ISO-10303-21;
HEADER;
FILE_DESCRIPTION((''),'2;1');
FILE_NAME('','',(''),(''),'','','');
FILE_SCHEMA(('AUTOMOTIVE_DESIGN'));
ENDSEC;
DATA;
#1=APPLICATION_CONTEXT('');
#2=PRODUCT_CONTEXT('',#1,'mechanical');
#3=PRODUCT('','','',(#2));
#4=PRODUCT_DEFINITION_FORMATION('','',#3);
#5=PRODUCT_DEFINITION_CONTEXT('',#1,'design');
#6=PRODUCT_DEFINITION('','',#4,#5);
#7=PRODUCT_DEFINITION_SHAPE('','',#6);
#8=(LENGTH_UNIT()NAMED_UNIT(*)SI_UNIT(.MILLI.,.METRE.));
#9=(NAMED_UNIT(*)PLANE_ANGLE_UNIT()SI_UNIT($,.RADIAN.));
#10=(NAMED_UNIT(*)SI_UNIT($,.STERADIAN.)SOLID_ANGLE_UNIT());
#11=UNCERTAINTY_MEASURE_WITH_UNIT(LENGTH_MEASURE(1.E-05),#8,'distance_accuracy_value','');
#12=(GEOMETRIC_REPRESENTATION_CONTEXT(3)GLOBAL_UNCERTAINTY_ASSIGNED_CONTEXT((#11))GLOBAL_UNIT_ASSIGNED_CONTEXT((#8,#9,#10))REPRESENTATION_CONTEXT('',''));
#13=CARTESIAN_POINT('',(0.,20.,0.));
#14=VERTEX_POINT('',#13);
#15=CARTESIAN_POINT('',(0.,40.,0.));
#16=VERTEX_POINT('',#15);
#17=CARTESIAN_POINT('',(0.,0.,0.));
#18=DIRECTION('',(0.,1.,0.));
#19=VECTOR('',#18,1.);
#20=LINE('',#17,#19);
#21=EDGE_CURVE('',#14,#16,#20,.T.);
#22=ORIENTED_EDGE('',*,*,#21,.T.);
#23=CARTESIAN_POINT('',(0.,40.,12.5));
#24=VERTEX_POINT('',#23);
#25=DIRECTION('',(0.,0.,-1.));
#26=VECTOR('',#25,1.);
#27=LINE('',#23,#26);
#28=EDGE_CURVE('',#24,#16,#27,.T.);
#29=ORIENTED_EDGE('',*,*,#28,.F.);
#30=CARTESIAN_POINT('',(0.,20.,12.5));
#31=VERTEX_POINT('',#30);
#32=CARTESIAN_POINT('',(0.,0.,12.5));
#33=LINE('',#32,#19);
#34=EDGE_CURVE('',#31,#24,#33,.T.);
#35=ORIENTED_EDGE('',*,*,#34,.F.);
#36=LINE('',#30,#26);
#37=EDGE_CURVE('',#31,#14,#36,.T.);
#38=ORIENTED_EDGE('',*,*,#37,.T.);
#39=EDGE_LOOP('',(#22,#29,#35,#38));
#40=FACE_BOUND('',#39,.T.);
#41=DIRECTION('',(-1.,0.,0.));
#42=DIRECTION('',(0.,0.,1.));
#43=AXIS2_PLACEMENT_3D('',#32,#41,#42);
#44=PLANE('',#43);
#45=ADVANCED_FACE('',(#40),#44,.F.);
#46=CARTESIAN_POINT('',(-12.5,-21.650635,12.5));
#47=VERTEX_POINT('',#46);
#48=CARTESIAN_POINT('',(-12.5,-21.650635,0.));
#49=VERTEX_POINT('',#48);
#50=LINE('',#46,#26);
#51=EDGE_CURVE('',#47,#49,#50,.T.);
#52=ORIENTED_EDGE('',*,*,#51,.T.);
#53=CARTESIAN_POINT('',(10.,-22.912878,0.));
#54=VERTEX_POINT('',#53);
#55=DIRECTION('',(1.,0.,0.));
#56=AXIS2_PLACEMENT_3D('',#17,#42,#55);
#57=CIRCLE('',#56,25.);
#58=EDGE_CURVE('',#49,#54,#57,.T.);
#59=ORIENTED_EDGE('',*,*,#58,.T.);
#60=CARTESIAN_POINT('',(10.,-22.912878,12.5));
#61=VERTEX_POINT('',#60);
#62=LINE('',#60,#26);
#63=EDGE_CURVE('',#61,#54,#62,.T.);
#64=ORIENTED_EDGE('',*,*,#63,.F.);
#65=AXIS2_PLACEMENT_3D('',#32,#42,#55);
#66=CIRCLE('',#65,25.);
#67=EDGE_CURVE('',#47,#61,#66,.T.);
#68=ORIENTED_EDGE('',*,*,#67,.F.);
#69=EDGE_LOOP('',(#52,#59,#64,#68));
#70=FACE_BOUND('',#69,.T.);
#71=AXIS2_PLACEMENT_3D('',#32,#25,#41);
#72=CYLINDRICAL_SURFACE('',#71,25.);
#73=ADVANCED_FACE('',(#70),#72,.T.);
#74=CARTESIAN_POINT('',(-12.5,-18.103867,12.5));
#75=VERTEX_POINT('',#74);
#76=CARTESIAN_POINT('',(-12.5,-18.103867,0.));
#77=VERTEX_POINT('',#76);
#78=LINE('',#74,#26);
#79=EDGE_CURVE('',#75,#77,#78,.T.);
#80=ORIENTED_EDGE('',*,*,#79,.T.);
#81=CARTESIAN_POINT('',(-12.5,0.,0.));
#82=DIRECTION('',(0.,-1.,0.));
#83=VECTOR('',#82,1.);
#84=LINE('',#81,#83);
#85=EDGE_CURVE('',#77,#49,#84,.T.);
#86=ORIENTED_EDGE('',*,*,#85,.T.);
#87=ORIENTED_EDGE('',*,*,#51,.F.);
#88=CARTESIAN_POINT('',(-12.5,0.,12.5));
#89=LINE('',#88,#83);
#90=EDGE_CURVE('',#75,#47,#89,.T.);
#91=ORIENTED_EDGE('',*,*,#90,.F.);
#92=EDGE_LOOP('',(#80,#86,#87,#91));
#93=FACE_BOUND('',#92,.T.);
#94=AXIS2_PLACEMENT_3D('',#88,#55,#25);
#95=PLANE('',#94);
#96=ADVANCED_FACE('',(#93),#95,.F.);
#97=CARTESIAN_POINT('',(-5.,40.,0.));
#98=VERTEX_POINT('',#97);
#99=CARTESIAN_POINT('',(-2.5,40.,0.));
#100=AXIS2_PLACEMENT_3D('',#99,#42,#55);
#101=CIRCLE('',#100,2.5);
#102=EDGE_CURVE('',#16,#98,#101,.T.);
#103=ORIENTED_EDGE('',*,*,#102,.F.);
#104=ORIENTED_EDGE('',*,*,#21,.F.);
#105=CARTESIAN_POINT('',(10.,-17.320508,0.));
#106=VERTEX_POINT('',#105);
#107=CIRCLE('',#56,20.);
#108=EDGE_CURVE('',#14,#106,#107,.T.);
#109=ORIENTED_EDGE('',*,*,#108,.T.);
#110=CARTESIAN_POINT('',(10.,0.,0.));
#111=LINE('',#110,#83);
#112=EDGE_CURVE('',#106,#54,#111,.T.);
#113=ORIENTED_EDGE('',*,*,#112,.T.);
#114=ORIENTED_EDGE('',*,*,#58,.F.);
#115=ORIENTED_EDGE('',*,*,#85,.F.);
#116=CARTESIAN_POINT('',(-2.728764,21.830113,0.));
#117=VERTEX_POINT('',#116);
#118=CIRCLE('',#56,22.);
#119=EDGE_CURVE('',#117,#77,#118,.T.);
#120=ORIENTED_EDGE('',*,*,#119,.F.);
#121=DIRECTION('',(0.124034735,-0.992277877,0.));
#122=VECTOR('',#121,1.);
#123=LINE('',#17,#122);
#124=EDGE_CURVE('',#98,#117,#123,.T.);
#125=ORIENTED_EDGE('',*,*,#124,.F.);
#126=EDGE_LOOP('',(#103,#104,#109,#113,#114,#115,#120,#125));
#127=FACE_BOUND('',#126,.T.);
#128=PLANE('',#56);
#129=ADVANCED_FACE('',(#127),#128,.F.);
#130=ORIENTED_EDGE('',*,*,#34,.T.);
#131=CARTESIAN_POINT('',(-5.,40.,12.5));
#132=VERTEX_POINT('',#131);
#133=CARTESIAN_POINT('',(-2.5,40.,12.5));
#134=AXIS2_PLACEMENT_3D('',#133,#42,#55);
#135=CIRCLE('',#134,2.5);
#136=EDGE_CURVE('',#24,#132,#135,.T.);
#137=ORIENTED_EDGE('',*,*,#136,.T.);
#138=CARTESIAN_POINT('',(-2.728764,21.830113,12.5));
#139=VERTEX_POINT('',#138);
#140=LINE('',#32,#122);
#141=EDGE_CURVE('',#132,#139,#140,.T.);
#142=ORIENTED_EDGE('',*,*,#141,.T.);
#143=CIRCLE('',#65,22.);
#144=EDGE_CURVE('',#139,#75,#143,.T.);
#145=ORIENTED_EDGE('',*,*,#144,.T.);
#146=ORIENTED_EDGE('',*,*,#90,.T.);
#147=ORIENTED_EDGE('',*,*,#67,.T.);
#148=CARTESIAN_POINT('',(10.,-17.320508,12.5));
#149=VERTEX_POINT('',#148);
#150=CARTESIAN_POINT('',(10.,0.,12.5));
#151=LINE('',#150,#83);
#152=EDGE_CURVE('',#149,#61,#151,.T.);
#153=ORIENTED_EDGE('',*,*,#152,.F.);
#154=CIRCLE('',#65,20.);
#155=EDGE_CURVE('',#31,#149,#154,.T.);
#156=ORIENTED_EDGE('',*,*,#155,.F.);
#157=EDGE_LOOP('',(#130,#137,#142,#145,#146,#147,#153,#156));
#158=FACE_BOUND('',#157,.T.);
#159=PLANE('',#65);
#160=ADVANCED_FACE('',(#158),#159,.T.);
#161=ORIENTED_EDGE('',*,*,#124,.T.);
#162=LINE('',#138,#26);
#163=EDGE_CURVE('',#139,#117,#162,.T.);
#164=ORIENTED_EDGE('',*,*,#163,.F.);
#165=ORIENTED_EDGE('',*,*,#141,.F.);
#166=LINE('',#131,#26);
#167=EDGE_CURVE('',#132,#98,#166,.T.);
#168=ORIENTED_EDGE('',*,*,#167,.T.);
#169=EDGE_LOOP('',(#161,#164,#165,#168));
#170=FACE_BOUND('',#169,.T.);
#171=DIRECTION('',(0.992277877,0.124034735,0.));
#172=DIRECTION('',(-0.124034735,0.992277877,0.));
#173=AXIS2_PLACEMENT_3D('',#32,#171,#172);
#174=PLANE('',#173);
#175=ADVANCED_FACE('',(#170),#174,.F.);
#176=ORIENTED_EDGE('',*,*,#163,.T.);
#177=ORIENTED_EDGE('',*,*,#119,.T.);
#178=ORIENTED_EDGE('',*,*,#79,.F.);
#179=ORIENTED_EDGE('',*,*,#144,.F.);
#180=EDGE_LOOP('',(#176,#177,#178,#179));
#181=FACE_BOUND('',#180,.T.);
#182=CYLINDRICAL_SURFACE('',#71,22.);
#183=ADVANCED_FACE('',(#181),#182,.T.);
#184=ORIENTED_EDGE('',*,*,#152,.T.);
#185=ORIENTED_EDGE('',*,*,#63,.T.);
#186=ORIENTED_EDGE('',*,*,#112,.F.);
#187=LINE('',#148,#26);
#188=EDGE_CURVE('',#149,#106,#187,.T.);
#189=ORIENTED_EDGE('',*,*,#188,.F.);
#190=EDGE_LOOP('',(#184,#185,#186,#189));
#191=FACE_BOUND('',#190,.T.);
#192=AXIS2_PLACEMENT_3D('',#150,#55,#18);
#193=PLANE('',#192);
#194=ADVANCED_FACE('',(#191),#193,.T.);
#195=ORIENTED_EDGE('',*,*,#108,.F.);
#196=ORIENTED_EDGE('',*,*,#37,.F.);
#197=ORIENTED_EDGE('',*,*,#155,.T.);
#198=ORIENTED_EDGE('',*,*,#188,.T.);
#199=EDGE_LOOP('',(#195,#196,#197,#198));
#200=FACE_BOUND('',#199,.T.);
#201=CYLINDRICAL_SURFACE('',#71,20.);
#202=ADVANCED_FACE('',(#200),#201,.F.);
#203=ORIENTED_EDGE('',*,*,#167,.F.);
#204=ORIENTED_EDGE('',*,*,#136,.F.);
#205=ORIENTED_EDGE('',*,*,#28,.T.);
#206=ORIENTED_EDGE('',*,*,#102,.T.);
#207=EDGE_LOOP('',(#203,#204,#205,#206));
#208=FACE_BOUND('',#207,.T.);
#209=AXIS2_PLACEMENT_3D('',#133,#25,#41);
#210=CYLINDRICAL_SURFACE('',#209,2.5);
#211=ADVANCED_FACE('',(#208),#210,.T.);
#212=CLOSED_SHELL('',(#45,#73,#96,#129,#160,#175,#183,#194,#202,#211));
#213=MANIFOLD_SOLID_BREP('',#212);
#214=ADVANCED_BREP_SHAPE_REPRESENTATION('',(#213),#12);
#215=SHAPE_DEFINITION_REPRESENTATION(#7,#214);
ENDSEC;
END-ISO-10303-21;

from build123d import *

# Parameters (mm, degrees)
RESSALTO_EXTRUS_O1_DEPTH = 12.5


with BuildPart() as part:
    # Esboço1 → Ressalto-extrusão1 (new body)
    with BuildSketch(Plane.XY):
        with BuildLine():
            Line((10, -22.912878475), (10, -17.320508076))
            ThreePointArc((10, -17.320508076), (-19.318516526, -5.176380902), (0, 20))
            Line((0, 20), (0, 40))
            ThreePointArc((0, 40), (-2.5, 42.5), (-5, 40))
            Line((-5, 40), (-4.923076923, 39.384615385))
            Line((-4.923076923, 39.384615385), (-2.728764161, 21.830113288))
            ThreePointArc((-2.728764161, 21.830113288), (-21.36959311, 5.228813472), (-12.5, -18.10386699))
            Line((-12.5, -18.10386699), (-12.5, -21.650635095))
            ThreePointArc((-12.5, -21.650635095), (-1.400290894, -24.960752902), (10, -22.912878475))
        make_face()
    extrude(amount=RESSALTO_EXTRUS_O1_DEPTH)


solid = part.part
